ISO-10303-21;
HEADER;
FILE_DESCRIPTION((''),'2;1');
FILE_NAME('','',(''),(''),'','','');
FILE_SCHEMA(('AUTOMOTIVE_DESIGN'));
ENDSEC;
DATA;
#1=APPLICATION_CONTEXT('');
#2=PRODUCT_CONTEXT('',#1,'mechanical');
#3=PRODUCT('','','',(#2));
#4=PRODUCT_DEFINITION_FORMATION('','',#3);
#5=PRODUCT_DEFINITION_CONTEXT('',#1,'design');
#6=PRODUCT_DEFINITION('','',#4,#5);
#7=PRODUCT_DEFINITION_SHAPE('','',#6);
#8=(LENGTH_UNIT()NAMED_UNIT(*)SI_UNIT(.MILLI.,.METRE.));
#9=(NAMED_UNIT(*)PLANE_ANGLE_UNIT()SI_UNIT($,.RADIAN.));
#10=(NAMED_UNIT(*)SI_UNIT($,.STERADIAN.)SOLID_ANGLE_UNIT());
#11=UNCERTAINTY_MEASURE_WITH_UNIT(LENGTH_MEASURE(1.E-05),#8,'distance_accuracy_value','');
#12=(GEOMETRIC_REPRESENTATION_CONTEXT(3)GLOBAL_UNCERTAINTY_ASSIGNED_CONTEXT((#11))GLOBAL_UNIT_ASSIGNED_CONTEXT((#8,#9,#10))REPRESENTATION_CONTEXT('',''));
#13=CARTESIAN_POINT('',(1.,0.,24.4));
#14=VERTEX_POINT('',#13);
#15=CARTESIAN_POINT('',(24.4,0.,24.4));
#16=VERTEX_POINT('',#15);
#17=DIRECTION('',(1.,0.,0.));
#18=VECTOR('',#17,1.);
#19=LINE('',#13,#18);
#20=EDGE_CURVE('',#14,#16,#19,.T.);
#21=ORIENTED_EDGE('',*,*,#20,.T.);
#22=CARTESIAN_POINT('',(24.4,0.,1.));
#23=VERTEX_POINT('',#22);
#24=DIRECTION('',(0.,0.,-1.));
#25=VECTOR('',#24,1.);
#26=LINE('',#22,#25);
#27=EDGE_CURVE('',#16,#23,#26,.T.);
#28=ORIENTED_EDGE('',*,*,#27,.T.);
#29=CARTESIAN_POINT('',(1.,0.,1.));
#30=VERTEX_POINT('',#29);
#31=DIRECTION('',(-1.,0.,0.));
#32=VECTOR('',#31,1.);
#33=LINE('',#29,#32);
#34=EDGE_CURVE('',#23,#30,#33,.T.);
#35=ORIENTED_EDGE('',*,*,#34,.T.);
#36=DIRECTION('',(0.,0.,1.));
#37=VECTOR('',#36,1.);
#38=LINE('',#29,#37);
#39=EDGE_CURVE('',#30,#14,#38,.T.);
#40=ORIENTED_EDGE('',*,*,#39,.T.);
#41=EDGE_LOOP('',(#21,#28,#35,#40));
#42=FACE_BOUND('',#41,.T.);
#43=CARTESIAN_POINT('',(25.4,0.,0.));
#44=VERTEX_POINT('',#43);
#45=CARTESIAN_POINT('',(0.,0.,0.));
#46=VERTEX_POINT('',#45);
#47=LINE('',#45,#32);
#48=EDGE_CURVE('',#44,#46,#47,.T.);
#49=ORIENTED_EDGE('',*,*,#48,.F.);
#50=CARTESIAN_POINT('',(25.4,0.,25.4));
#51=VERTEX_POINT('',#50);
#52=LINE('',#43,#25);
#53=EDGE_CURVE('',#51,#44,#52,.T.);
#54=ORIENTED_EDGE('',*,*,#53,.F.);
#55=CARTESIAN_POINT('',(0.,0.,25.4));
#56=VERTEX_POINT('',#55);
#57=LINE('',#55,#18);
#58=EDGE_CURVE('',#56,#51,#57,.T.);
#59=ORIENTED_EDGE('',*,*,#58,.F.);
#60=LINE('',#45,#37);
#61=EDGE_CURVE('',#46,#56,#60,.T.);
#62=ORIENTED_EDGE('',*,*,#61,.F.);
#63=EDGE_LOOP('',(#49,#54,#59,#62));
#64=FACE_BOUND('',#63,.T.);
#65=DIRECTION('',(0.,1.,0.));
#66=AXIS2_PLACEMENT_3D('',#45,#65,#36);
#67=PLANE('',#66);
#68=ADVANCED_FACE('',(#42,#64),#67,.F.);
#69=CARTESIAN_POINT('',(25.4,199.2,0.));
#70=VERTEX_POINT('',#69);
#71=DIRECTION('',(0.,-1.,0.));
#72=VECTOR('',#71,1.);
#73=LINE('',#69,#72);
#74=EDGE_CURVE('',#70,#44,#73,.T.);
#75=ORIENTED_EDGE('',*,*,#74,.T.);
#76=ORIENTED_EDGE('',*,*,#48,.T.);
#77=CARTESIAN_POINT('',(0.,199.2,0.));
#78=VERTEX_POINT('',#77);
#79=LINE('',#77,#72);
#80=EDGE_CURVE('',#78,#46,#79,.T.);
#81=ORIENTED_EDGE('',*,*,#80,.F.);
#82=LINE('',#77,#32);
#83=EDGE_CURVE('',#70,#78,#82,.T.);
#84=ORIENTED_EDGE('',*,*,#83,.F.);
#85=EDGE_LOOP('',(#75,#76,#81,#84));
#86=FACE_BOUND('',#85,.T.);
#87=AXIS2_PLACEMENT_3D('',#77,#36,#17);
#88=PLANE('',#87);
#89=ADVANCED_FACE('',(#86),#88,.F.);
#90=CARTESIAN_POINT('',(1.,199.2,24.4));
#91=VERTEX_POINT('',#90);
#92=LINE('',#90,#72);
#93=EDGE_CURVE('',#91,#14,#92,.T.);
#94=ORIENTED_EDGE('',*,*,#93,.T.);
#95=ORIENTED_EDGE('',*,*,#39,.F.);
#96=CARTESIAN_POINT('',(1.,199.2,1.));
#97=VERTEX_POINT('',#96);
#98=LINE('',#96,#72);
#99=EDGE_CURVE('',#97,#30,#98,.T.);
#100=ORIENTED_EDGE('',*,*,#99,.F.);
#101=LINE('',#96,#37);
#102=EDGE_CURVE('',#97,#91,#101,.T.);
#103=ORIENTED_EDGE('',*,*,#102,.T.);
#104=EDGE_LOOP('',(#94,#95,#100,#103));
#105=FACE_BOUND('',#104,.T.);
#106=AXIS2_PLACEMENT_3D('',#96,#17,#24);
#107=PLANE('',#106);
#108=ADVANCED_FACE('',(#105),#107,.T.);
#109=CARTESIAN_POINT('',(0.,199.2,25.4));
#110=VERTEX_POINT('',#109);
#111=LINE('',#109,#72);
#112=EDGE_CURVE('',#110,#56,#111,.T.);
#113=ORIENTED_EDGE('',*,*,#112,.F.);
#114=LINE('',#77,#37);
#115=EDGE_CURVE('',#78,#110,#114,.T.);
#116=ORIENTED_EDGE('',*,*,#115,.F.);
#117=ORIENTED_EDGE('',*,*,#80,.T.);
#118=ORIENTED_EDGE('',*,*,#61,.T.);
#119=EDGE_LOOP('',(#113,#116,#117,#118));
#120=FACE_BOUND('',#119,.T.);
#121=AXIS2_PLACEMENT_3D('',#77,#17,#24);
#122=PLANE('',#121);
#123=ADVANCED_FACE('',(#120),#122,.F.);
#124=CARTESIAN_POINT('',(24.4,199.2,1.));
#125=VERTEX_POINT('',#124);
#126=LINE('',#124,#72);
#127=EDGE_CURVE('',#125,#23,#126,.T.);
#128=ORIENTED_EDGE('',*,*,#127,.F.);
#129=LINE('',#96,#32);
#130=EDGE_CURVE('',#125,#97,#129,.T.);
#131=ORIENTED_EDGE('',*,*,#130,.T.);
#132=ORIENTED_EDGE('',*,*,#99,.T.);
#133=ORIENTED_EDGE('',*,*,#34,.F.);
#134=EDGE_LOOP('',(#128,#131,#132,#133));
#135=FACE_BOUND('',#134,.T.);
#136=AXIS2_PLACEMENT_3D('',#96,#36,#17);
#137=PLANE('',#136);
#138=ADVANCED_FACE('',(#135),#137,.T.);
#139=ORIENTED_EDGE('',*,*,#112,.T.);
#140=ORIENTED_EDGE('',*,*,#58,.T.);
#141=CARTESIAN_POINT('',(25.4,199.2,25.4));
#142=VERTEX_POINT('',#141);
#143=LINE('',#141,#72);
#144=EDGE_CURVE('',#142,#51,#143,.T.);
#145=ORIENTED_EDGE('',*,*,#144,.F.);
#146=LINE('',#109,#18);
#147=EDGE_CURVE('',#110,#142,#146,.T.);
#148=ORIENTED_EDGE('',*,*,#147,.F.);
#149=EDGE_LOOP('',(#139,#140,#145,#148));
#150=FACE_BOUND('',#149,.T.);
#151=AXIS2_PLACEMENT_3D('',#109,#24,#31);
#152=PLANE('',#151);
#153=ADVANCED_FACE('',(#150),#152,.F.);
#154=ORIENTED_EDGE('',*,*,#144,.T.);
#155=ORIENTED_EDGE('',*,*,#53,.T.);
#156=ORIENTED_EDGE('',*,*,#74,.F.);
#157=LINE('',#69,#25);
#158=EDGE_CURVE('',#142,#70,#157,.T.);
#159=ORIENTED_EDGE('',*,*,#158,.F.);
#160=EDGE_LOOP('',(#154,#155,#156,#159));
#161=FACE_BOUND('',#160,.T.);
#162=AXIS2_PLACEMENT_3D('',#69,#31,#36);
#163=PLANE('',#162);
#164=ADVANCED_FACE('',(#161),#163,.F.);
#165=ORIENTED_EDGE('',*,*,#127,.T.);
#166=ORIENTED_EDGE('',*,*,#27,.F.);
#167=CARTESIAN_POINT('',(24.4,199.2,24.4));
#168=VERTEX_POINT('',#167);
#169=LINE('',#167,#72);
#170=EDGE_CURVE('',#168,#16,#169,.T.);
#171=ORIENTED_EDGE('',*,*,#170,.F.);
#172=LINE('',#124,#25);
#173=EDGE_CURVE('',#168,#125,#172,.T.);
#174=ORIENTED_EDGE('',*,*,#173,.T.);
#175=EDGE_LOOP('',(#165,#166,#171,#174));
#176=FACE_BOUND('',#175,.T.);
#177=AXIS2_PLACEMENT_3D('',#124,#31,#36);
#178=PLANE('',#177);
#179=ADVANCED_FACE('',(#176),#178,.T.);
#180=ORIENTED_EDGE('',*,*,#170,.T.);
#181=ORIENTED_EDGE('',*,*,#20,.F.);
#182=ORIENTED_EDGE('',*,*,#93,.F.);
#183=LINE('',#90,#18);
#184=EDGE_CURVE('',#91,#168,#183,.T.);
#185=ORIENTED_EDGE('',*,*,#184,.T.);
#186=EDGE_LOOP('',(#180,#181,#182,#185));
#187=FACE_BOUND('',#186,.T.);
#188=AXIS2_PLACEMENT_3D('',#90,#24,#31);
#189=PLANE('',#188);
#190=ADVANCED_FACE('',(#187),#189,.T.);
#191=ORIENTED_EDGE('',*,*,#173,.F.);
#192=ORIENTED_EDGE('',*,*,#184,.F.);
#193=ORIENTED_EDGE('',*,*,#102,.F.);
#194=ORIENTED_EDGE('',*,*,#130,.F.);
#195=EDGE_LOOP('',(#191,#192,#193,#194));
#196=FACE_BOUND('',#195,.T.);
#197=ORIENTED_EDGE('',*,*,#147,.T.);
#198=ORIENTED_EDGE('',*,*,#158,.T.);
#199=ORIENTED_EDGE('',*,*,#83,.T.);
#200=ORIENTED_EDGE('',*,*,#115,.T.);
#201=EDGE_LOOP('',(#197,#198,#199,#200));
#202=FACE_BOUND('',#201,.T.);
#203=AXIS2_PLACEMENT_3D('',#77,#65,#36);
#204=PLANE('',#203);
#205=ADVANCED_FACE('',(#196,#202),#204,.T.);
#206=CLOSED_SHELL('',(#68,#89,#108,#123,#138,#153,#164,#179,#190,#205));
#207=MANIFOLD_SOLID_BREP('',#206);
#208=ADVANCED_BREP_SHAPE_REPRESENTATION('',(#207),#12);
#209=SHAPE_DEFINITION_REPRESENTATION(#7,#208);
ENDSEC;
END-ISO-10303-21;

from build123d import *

# Parameters (mm, degrees)
SKETCH1_W           = 25.4
SKETCH1_H           = 25.4
SKETCH1_W_2         = 23.4
SKETCH1_H_2         = 23.4
BOSS_EXTRUDE1_DEPTH = 199.2


with BuildPart() as part:
    # Sketch1 → Boss-Extrude1 (new body)
    with BuildSketch(Plane(origin=(0, 0, 0), x_dir=(1, 0, 0), z_dir=(0, 1, 0))):
        with Locations((12.7, -12.7)):
            Rectangle(SKETCH1_W, SKETCH1_H)
        with Locations((12.7, -12.7)):
            Rectangle(SKETCH1_W_2, SKETCH1_H_2, mode=Mode.SUBTRACT)
    extrude(amount=BOSS_EXTRUDE1_DEPTH)


solid = part.part
